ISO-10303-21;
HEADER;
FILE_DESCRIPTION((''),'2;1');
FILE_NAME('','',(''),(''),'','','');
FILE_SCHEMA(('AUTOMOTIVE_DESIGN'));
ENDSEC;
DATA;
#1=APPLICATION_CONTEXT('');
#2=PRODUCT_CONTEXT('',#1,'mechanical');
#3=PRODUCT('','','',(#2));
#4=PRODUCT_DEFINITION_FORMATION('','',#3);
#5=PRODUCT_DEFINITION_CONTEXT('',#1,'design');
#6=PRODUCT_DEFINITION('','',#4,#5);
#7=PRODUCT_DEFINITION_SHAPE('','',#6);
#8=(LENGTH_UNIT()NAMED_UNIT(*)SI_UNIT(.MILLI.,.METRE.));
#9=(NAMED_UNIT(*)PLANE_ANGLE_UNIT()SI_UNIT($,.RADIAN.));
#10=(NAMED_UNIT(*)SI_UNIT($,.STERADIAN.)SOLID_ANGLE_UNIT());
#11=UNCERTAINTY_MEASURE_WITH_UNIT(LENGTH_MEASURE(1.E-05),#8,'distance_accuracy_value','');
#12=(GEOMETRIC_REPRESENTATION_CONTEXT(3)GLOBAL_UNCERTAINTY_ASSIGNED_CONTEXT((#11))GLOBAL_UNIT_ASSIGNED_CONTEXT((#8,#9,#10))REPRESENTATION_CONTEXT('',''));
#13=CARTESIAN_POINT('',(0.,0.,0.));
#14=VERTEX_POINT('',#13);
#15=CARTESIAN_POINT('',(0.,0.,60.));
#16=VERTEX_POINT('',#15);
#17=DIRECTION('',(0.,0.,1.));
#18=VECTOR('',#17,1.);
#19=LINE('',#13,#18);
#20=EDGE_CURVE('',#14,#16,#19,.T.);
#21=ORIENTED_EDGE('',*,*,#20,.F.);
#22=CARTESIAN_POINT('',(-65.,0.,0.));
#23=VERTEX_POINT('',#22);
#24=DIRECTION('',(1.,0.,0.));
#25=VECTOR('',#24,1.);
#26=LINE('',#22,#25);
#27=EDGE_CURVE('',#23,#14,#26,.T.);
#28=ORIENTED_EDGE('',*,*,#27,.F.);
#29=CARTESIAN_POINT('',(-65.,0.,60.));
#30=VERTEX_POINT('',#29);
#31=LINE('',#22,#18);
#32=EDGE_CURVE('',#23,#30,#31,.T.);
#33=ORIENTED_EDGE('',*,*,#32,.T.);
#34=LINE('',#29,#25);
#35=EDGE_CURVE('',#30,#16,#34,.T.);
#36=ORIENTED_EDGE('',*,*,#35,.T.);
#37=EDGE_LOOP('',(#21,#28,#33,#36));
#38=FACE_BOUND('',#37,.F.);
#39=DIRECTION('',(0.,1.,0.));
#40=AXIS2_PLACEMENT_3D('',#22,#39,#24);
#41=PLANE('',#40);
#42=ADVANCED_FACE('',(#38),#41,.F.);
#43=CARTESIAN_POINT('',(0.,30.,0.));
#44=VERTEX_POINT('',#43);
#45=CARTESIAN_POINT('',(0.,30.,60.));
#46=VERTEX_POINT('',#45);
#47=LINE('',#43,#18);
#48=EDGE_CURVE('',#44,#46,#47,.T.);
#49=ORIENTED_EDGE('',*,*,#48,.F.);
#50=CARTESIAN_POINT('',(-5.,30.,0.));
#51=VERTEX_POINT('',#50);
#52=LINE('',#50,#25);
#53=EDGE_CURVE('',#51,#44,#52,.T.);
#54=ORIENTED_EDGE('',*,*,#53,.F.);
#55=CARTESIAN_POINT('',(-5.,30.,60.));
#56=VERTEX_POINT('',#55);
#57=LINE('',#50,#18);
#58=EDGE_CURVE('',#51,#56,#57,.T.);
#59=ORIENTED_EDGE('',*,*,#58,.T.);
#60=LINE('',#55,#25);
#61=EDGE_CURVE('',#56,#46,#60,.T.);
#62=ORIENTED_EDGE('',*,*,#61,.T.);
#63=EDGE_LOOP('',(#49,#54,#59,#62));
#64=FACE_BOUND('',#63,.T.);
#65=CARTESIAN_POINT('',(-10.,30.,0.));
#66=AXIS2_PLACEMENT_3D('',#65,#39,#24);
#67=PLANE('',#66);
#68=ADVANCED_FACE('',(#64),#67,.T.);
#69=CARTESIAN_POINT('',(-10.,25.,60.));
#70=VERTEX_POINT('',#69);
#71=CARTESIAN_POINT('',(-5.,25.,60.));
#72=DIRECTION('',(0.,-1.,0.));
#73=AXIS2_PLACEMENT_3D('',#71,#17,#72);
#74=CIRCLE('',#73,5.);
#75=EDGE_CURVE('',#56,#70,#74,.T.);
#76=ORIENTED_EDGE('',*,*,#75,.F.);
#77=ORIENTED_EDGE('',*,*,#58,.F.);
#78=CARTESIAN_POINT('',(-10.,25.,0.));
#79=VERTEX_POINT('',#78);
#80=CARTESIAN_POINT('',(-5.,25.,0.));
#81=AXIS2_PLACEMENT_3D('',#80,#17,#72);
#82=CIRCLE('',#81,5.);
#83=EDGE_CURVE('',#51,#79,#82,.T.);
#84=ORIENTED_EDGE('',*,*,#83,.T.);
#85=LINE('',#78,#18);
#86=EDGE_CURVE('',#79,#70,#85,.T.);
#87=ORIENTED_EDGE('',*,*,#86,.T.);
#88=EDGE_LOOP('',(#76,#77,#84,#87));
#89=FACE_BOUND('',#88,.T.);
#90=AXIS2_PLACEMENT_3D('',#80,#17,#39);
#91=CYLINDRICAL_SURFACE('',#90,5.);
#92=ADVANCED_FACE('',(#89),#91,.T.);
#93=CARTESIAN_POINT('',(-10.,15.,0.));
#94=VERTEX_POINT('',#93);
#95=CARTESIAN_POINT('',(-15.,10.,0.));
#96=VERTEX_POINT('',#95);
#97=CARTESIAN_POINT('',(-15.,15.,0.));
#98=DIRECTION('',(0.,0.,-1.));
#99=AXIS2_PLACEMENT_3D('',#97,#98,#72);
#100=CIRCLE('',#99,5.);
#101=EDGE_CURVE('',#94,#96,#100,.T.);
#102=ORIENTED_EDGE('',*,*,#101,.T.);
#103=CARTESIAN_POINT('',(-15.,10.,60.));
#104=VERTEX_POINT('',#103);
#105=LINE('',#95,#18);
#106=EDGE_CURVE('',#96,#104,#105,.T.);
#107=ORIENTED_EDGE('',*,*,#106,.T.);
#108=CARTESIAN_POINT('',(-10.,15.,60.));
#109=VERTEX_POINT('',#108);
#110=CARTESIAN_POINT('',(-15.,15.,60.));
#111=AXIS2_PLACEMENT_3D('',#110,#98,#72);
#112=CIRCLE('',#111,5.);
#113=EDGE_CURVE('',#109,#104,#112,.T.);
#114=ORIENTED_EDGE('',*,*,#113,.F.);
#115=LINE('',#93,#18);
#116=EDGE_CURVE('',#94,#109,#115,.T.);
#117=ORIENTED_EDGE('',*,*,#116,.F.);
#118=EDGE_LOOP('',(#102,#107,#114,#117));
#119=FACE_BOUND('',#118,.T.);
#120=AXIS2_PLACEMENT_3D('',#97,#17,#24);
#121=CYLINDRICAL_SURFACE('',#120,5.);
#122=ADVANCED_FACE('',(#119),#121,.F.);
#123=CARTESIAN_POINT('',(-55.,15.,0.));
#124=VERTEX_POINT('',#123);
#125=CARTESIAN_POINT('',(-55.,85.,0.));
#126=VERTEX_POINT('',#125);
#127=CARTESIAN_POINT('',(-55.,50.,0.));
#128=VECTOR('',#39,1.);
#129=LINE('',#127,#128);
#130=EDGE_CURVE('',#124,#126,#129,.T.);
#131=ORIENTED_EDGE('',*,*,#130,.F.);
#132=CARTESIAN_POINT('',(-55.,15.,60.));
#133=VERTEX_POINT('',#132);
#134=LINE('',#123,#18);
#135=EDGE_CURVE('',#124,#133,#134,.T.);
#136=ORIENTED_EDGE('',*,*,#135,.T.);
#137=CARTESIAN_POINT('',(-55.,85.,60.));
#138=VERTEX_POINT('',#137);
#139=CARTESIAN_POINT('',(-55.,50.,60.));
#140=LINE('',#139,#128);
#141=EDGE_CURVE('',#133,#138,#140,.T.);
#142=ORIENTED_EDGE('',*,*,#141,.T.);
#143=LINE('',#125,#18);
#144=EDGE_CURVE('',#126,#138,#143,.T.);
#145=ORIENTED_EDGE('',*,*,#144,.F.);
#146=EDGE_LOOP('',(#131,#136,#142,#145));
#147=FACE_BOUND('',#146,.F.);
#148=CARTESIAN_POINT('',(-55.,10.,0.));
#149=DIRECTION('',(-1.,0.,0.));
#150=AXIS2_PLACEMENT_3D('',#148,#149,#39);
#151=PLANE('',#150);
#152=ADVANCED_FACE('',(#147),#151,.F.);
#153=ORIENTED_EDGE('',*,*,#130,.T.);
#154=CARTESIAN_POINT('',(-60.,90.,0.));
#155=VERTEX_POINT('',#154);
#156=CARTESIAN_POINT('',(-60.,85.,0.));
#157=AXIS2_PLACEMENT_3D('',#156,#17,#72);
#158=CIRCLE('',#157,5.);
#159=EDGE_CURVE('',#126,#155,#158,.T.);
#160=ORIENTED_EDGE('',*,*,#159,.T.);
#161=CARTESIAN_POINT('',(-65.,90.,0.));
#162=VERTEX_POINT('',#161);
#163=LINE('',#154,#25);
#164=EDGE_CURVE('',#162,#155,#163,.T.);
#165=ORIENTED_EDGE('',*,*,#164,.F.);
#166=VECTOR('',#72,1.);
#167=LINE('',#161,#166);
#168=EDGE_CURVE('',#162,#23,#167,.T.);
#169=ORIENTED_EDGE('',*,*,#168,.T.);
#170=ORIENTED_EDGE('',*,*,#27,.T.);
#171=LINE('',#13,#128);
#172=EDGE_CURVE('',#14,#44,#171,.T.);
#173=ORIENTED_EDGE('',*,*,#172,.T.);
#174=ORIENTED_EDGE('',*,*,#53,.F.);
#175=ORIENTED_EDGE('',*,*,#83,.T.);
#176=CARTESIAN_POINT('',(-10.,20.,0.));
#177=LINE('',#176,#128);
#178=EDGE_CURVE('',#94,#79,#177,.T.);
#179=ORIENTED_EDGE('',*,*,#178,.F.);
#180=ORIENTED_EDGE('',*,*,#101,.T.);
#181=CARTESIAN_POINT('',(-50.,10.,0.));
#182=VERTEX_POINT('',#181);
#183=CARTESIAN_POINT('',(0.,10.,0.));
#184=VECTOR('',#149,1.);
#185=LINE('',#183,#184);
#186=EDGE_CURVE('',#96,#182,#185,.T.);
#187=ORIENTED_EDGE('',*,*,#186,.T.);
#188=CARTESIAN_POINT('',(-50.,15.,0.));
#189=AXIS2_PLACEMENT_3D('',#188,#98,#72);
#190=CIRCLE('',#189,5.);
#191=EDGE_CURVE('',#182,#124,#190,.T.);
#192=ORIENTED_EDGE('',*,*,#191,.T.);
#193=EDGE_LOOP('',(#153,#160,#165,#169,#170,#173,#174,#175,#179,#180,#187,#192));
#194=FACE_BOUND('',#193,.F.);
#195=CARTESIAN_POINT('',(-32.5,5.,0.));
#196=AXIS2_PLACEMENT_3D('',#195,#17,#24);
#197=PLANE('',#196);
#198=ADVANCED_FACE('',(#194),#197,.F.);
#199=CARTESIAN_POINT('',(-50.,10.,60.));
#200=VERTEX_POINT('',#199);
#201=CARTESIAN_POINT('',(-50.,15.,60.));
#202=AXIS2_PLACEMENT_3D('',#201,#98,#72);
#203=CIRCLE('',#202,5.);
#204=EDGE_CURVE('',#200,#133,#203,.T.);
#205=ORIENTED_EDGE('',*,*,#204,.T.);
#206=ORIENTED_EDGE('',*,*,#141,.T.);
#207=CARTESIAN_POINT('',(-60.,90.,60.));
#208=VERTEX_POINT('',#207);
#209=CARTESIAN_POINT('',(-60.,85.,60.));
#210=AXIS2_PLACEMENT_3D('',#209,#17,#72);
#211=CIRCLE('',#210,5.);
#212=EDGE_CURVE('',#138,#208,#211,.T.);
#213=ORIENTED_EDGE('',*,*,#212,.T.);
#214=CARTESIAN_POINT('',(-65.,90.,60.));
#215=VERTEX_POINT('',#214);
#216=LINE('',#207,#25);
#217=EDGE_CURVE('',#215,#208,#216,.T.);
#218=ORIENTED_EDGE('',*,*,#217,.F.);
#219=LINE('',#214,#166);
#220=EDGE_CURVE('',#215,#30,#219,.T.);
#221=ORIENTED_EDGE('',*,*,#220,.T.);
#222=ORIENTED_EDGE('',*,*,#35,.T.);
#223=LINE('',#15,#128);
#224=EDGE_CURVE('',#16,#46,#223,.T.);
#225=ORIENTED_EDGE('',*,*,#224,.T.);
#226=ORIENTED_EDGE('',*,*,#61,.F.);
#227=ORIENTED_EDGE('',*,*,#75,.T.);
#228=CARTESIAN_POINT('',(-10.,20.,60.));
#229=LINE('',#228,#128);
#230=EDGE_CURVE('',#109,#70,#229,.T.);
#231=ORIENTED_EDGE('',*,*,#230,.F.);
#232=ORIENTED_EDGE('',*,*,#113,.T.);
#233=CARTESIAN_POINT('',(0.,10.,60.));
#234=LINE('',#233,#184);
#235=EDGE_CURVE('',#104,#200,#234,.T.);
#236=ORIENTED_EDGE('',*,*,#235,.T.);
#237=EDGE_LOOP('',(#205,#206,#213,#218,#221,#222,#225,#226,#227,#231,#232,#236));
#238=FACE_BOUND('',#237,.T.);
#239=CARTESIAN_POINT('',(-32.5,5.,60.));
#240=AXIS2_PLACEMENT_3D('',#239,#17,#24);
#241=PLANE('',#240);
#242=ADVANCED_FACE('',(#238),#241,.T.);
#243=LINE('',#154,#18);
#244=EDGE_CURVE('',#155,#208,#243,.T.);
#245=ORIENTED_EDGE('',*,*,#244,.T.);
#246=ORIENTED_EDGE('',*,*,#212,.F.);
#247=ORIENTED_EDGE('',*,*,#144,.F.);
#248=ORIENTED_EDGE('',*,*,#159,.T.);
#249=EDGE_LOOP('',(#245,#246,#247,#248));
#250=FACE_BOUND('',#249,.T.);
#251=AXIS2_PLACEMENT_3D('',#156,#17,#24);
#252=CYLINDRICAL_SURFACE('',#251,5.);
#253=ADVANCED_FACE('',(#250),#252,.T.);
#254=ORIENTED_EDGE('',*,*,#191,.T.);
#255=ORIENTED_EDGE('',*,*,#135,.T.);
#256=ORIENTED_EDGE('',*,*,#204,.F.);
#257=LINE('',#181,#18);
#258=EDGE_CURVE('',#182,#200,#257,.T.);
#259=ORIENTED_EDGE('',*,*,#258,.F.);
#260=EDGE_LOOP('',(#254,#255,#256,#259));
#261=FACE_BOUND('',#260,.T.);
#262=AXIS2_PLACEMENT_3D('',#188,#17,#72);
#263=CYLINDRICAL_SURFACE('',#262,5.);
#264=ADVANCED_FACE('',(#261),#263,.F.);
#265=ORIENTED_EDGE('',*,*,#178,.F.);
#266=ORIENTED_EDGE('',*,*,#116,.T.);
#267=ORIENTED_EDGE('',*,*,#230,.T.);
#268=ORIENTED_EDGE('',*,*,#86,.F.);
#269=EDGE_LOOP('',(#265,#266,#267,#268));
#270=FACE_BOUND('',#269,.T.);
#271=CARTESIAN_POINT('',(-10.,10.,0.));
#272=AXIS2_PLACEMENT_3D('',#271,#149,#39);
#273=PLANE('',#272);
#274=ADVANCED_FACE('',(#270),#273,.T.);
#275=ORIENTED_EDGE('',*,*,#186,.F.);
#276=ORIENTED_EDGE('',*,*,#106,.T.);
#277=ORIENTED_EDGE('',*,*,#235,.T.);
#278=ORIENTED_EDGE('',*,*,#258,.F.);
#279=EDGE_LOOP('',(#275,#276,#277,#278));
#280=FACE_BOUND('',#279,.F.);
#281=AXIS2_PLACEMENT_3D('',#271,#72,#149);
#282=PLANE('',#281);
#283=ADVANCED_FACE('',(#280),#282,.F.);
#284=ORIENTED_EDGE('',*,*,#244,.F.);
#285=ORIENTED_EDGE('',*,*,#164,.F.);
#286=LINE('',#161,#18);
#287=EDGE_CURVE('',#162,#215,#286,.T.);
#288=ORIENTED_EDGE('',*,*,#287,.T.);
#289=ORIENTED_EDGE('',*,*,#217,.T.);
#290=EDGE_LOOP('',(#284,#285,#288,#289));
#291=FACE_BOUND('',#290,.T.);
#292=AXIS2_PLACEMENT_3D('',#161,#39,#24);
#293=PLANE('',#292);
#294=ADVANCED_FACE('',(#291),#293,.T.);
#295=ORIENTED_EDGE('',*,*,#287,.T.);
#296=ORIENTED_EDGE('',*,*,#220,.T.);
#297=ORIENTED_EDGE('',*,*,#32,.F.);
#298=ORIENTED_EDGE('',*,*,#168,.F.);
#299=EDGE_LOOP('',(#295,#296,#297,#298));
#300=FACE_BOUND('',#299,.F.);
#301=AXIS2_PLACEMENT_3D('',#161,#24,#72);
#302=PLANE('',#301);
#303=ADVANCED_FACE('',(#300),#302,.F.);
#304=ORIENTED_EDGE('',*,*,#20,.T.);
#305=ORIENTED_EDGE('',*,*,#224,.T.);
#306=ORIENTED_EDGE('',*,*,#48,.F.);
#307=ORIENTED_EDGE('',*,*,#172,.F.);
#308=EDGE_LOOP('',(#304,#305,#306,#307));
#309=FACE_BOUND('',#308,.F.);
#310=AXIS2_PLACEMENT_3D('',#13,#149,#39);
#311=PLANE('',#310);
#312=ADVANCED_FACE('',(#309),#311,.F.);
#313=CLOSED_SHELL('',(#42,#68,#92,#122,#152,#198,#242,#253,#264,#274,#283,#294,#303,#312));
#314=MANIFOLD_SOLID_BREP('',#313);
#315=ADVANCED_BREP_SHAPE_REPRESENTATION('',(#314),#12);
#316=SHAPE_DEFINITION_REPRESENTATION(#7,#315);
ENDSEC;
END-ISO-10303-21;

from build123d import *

# Parameters (mm, degrees)
F0_W     = 10
F0_H     = 20
F0_H_2   = 80
F1_DEPTH = 60
F2_R     = 5


with BuildPart() as f1:
    # F0 (on Top) → F1 (new body)
    with BuildSketch(Plane.XY):
        Polygon((-65, 0), (0, 0), (0, 10), (-10, 10), (-55, 10), (-65, 10), align=None)
        with Locations((-5, 20)):
            Rectangle(F0_W, F0_H)
        with Locations((-60, 50)):
            Rectangle(F0_W, F0_H_2)
    extrude(amount=F1_DEPTH)

    # F2
    f2_edges = [f1.edges().sort_by_distance(p)[0] for p in [
        (-55, 10, 30),
        (-10, 10, 30),
        (-55, 90, 30),
        (-10, 30, 30),
    ]]
    fillet(f2_edges, radius=F2_R)


solid = f1.part
